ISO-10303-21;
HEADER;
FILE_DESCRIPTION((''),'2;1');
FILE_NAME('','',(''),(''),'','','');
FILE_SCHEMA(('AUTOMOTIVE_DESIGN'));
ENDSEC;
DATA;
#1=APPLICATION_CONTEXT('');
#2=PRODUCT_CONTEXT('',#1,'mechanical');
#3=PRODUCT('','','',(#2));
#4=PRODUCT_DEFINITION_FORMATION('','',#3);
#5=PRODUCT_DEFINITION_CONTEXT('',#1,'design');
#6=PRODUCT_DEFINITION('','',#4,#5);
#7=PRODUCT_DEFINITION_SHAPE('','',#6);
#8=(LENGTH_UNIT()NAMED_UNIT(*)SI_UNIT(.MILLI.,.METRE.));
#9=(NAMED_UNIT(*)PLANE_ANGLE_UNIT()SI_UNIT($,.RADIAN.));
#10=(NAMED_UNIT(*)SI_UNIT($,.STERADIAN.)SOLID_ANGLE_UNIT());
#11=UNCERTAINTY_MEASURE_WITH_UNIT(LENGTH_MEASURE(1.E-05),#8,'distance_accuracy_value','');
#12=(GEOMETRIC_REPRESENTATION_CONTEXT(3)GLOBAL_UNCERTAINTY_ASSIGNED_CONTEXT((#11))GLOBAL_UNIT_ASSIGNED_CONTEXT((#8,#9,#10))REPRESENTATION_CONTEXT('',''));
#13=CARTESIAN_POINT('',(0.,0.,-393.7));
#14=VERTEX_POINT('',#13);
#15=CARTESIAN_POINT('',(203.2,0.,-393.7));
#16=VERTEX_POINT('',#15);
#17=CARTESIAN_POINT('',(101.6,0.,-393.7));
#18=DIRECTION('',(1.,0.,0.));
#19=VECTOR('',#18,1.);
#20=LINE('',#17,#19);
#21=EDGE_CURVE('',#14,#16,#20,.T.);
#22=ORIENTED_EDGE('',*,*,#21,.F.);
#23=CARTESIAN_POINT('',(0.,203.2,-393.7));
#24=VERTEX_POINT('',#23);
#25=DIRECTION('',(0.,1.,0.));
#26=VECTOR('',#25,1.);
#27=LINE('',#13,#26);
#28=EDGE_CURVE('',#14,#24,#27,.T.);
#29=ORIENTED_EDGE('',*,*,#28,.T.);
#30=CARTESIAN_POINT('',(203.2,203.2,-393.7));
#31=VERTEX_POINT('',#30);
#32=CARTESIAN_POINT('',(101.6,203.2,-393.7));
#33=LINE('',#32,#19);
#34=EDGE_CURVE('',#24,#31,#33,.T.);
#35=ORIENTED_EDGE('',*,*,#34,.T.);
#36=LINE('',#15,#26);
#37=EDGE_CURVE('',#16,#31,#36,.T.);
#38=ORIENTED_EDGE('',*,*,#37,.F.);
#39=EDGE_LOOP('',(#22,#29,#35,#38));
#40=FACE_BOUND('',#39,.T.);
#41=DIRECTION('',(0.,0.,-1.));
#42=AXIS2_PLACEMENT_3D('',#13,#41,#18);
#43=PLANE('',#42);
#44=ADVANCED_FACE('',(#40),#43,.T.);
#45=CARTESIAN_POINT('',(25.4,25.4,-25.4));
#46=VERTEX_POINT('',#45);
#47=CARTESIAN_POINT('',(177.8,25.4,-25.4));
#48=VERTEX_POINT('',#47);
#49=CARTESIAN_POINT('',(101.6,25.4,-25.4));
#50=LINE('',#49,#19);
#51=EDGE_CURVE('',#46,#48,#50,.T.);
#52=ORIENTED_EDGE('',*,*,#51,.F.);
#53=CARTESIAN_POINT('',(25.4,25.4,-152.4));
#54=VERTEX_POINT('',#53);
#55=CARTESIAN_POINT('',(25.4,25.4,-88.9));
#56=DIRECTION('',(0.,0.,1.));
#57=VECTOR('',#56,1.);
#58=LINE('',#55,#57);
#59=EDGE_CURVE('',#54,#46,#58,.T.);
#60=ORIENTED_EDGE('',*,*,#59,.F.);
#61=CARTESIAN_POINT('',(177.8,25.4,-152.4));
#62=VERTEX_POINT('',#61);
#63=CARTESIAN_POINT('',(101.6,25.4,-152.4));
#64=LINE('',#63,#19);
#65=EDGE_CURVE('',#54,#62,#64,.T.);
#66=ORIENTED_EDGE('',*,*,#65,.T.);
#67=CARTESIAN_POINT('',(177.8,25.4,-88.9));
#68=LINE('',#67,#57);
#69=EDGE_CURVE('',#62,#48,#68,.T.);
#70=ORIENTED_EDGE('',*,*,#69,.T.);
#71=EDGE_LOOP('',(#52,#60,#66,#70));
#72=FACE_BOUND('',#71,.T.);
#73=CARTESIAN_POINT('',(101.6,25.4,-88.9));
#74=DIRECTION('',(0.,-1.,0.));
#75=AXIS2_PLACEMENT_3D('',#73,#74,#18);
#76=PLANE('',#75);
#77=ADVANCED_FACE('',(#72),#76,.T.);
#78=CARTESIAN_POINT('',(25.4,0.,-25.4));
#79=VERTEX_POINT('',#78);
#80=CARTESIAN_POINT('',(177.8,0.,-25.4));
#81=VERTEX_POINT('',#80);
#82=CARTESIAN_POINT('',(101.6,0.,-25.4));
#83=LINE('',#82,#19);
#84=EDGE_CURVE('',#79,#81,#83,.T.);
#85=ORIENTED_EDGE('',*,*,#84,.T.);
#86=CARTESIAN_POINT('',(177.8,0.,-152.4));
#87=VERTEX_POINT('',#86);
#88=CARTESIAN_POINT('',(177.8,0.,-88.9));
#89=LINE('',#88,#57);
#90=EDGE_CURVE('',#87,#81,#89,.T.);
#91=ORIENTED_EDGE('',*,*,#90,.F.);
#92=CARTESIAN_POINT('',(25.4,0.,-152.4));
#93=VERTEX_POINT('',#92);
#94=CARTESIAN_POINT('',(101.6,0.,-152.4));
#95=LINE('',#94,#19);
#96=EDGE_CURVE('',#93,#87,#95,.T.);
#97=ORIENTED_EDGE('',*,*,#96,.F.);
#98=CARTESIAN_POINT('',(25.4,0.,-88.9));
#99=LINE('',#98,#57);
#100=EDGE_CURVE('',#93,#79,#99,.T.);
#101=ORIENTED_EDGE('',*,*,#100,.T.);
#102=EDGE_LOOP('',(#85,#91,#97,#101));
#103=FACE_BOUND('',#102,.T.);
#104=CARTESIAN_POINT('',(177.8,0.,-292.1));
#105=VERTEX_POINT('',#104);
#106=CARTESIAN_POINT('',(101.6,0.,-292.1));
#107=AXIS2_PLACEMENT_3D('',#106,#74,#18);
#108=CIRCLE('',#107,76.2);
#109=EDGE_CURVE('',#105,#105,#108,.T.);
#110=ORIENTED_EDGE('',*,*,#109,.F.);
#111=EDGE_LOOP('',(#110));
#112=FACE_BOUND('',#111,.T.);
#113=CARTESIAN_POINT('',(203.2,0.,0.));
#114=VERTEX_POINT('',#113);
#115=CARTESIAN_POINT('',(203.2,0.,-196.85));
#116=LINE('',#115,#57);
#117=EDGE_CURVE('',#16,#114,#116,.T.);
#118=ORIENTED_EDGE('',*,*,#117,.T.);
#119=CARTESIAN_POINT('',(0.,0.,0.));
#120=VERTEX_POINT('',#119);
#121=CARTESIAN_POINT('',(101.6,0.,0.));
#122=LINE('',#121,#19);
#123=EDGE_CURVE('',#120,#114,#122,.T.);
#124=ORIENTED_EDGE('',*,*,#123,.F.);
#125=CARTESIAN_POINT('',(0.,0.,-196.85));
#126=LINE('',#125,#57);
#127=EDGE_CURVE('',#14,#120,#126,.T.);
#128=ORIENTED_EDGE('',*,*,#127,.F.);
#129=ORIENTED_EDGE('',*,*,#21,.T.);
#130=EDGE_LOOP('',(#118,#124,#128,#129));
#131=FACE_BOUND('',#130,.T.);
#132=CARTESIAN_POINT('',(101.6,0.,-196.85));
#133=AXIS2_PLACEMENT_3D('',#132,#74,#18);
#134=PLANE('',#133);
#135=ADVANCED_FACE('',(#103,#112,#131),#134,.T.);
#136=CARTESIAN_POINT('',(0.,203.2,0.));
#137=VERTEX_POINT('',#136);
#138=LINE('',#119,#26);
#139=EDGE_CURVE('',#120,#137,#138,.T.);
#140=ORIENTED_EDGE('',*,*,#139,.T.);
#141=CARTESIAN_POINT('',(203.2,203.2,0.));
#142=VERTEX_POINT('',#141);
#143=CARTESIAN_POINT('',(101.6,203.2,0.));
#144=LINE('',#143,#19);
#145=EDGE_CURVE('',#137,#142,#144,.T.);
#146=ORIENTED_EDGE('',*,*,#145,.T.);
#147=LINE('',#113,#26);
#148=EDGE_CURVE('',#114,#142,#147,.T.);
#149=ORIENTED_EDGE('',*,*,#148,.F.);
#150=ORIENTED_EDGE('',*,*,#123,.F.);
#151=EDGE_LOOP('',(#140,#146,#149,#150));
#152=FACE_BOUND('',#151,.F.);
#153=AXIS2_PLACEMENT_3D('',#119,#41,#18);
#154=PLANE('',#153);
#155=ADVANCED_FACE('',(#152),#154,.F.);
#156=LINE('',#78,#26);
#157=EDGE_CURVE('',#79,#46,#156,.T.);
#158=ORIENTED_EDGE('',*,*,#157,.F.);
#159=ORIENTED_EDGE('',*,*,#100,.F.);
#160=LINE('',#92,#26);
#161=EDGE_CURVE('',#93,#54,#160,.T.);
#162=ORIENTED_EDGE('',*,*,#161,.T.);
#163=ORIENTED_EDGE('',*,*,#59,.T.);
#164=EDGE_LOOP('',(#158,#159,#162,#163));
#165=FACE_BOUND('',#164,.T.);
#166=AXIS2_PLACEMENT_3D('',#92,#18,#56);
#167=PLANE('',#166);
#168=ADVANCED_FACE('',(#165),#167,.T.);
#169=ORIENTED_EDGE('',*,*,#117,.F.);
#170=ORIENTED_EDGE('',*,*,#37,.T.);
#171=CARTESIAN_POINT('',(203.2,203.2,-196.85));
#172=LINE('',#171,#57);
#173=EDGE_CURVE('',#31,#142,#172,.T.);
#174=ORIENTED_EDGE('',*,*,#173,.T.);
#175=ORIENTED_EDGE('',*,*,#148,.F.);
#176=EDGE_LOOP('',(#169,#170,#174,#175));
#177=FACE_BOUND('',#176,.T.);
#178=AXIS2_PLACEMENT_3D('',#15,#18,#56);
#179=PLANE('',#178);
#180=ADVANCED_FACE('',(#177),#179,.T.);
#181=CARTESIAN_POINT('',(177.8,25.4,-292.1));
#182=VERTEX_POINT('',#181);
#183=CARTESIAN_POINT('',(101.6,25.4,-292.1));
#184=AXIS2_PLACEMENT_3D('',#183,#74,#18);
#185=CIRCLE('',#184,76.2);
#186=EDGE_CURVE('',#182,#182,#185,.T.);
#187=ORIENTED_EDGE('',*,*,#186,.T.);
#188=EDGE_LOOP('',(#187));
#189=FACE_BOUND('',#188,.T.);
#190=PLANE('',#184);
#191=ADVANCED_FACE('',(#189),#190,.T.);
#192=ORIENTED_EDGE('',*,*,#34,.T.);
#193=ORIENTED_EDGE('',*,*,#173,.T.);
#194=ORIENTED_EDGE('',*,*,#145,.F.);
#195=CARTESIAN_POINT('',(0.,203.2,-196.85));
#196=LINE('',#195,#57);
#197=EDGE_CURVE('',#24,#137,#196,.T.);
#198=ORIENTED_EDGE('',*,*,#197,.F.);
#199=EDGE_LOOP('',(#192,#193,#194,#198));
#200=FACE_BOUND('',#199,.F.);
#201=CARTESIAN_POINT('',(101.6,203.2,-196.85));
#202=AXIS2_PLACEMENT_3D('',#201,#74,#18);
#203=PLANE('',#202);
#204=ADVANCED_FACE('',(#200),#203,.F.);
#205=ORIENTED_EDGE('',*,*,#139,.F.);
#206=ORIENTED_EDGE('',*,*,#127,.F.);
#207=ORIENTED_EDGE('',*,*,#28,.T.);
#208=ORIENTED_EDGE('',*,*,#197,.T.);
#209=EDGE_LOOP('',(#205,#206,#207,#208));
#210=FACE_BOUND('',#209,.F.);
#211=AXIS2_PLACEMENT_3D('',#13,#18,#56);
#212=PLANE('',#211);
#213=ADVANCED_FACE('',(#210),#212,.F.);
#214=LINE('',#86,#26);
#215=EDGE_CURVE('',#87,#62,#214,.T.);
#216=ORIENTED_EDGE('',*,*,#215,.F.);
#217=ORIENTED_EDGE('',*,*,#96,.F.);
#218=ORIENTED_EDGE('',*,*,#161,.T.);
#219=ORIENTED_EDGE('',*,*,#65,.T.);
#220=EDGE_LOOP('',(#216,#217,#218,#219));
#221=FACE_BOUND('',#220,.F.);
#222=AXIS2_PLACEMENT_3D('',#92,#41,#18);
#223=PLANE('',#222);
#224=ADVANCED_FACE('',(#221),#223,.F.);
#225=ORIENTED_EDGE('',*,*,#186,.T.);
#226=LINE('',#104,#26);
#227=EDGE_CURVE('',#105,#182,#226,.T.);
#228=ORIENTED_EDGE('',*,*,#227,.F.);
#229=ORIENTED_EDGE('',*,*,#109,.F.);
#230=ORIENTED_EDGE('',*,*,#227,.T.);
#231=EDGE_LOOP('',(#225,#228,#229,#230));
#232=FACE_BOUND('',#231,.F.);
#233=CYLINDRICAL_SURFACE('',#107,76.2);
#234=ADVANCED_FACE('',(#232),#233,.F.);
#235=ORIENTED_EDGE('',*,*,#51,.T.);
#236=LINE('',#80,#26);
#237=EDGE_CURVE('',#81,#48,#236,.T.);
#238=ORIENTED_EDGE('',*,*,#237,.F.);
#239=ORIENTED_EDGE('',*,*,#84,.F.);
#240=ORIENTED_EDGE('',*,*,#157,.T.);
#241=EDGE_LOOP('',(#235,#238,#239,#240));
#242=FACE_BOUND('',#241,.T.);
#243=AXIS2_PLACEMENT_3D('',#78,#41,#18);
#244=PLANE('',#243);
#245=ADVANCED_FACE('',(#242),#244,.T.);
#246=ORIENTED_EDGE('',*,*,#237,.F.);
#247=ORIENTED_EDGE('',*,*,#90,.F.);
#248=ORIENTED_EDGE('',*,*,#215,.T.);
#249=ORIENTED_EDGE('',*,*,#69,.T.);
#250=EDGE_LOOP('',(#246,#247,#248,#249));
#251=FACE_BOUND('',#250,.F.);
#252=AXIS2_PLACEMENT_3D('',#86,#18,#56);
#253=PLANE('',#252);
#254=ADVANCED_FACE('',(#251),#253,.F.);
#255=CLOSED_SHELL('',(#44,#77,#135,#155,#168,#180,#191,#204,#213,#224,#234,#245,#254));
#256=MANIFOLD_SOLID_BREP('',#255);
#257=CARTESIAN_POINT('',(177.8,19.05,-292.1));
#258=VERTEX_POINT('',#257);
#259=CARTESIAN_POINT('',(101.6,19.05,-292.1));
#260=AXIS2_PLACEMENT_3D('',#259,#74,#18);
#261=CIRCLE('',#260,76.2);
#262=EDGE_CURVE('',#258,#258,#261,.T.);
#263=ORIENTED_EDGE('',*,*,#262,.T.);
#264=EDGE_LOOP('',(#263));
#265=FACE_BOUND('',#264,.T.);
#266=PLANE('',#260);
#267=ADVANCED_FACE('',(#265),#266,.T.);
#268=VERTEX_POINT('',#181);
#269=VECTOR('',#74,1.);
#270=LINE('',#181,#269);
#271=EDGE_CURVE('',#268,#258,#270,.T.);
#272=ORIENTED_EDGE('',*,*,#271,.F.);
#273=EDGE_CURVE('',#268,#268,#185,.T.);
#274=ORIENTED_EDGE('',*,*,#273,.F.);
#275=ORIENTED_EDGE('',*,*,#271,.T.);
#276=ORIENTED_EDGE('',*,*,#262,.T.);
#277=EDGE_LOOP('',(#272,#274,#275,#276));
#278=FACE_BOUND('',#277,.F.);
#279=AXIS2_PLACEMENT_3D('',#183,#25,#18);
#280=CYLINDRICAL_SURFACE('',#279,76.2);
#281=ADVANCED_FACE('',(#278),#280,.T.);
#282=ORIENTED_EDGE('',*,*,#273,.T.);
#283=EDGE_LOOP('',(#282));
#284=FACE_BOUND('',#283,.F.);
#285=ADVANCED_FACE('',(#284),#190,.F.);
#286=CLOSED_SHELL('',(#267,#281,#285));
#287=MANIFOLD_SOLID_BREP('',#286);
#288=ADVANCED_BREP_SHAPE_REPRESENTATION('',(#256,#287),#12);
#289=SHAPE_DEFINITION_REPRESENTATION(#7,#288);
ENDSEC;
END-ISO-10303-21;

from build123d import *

# Parameters (mm, degrees)
F0_W      = 203.2
F0_H      = 393.7
F1_DEPTH  = 203.2
F2_R      = 76.2
F2_W      = 152.4
F2_H      = 127
F3_DEPTH  = 25.4
F3_FACE_R = 76.2
F4_DEPTH  = 6.35


with BuildPart() as f1:
    # F0 (on Front) → F1 (new body)
    with BuildSketch(Plane.XZ):
        with Locations((101.6, -196.85)):
            Rectangle(F0_W, F0_H)
    extrude(amount=-F1_DEPTH)

    # F2 (on face) → F3 (cut)
    with BuildSketch(Plane.XZ):
        with Locations((101.6, -292.1)):
            Circle(F2_R)
        with Locations((101.6, -88.9)):
            Rectangle(F2_W, F2_H)
    extrude(amount=-F3_DEPTH, mode=Mode.SUBTRACT)


with BuildPart() as f4:
    # F3_face (on face) → F4 (new body)
    with BuildSketch(Plane(origin=(101.6, 25.4, -292.1), x_dir=(1, 0, 0), z_dir=(0, -1, 0))):
        Circle(F3_FACE_R)
    extrude(amount=F4_DEPTH)


solid = Compound([f1.part, f4.part])
